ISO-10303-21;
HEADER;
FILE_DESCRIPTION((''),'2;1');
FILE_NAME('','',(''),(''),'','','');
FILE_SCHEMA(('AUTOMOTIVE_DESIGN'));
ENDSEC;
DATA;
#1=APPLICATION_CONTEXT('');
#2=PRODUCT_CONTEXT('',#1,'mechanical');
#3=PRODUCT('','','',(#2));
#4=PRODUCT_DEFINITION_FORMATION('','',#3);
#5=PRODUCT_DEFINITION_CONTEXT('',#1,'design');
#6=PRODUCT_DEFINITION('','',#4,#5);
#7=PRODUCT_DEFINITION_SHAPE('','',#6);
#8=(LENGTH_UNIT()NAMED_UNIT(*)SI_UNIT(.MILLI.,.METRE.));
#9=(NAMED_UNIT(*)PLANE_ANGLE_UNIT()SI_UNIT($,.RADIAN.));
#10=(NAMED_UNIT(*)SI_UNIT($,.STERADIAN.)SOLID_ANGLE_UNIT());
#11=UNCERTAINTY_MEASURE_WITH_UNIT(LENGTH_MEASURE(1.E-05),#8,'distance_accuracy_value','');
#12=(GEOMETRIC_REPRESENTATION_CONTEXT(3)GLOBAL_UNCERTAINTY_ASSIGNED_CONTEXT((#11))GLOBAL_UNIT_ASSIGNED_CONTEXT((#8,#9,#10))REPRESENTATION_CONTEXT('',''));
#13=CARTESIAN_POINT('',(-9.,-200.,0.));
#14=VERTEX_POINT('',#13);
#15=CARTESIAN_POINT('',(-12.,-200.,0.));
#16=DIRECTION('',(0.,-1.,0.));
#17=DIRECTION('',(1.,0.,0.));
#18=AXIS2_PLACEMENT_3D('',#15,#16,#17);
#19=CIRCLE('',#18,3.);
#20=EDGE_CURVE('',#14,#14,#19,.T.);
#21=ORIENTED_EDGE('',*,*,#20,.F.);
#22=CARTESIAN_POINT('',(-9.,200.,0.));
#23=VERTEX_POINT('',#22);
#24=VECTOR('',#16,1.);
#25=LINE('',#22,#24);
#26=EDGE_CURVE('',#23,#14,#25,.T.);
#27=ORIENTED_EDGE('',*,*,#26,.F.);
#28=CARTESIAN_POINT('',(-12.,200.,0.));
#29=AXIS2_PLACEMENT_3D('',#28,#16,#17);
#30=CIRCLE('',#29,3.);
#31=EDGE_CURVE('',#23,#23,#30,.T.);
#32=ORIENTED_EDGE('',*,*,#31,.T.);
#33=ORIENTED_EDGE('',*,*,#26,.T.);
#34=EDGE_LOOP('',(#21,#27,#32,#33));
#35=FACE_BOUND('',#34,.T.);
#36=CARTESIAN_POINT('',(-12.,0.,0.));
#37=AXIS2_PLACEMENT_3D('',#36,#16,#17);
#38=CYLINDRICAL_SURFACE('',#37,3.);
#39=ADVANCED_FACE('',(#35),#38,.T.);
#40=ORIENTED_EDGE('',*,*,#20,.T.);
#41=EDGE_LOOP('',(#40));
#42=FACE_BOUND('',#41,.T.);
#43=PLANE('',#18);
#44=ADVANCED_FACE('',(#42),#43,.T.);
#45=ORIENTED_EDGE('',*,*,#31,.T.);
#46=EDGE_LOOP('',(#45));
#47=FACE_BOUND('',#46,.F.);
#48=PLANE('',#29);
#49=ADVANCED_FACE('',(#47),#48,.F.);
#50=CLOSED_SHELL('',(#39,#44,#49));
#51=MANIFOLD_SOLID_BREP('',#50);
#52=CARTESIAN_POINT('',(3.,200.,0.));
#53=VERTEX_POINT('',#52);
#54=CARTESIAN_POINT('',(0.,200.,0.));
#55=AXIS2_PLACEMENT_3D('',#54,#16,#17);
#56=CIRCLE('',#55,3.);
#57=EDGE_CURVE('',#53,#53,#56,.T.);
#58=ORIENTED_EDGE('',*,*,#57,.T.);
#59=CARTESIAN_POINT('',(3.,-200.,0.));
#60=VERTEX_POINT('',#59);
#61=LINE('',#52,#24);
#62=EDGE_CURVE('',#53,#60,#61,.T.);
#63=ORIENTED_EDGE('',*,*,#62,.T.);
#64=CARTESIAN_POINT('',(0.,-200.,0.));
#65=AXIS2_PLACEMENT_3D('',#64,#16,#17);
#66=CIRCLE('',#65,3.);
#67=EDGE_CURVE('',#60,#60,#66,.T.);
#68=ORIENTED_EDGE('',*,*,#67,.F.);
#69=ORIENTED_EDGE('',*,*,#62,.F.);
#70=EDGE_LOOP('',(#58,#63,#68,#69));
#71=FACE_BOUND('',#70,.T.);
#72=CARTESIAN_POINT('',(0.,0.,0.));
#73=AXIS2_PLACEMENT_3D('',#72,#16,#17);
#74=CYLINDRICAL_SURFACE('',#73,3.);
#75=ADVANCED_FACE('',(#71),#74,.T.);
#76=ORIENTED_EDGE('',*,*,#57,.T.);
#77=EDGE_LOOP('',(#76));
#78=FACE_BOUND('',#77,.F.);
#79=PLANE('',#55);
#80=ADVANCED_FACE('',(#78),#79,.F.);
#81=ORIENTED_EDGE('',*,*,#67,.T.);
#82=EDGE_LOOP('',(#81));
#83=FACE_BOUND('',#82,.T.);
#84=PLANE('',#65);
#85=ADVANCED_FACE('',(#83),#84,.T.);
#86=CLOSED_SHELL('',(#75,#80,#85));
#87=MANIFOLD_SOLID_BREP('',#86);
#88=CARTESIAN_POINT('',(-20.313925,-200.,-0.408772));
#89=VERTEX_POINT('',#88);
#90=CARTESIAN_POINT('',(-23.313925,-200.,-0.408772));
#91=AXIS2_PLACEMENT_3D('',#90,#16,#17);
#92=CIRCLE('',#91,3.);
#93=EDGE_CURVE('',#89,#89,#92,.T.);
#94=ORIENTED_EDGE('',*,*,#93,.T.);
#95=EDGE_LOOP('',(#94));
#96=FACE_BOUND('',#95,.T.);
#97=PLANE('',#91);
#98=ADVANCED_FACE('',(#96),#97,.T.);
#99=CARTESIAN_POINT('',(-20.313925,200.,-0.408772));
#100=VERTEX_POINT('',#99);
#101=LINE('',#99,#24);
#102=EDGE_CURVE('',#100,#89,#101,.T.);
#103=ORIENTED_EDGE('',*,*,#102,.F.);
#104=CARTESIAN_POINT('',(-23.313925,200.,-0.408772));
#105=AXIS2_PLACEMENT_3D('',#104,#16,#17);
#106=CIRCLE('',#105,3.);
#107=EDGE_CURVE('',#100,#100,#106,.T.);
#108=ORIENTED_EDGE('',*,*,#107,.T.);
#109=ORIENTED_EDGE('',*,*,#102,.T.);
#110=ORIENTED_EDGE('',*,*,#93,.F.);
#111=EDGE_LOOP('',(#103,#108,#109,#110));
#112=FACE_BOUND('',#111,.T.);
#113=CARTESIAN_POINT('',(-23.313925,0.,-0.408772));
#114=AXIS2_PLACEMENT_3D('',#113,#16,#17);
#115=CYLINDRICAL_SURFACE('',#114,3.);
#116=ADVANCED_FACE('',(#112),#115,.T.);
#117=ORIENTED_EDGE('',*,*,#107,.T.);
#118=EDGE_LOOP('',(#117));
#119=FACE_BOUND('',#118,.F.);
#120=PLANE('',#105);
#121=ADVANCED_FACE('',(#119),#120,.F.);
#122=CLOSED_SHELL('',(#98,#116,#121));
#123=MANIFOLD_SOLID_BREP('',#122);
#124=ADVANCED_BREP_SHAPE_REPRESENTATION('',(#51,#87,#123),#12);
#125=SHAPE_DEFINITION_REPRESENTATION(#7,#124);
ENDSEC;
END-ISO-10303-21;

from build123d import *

# Parameters (mm, degrees)
F0_R     = 3
F1_DEPTH = 200
F2_R     = 3
F3_DEPTH = 200
F4_R     = 3
F5_DEPTH = 200


with BuildPart() as f1:
    # F0 (on Front) → F1 (new body, symmetric)
    with BuildSketch(Plane.XZ):
        Circle(F0_R)
    extrude(amount=F1_DEPTH, both=True)


with BuildPart() as f3:
    # F2 (on Front) → F3 (new body, symmetric)
    with BuildSketch(Plane.XZ):
        with Locations((-12, 0)):
            Circle(F2_R)
    extrude(amount=F3_DEPTH, both=True)


with BuildPart() as f5:
    # F4 (on Front) → F5 (new body, symmetric)
    with BuildSketch(Plane.XZ):
        with Locations((-23.313925, -0.408772)):
            Circle(F4_R)
    extrude(amount=F5_DEPTH, both=True)


solid = Compound([f1.part, f3.part, f5.part])
